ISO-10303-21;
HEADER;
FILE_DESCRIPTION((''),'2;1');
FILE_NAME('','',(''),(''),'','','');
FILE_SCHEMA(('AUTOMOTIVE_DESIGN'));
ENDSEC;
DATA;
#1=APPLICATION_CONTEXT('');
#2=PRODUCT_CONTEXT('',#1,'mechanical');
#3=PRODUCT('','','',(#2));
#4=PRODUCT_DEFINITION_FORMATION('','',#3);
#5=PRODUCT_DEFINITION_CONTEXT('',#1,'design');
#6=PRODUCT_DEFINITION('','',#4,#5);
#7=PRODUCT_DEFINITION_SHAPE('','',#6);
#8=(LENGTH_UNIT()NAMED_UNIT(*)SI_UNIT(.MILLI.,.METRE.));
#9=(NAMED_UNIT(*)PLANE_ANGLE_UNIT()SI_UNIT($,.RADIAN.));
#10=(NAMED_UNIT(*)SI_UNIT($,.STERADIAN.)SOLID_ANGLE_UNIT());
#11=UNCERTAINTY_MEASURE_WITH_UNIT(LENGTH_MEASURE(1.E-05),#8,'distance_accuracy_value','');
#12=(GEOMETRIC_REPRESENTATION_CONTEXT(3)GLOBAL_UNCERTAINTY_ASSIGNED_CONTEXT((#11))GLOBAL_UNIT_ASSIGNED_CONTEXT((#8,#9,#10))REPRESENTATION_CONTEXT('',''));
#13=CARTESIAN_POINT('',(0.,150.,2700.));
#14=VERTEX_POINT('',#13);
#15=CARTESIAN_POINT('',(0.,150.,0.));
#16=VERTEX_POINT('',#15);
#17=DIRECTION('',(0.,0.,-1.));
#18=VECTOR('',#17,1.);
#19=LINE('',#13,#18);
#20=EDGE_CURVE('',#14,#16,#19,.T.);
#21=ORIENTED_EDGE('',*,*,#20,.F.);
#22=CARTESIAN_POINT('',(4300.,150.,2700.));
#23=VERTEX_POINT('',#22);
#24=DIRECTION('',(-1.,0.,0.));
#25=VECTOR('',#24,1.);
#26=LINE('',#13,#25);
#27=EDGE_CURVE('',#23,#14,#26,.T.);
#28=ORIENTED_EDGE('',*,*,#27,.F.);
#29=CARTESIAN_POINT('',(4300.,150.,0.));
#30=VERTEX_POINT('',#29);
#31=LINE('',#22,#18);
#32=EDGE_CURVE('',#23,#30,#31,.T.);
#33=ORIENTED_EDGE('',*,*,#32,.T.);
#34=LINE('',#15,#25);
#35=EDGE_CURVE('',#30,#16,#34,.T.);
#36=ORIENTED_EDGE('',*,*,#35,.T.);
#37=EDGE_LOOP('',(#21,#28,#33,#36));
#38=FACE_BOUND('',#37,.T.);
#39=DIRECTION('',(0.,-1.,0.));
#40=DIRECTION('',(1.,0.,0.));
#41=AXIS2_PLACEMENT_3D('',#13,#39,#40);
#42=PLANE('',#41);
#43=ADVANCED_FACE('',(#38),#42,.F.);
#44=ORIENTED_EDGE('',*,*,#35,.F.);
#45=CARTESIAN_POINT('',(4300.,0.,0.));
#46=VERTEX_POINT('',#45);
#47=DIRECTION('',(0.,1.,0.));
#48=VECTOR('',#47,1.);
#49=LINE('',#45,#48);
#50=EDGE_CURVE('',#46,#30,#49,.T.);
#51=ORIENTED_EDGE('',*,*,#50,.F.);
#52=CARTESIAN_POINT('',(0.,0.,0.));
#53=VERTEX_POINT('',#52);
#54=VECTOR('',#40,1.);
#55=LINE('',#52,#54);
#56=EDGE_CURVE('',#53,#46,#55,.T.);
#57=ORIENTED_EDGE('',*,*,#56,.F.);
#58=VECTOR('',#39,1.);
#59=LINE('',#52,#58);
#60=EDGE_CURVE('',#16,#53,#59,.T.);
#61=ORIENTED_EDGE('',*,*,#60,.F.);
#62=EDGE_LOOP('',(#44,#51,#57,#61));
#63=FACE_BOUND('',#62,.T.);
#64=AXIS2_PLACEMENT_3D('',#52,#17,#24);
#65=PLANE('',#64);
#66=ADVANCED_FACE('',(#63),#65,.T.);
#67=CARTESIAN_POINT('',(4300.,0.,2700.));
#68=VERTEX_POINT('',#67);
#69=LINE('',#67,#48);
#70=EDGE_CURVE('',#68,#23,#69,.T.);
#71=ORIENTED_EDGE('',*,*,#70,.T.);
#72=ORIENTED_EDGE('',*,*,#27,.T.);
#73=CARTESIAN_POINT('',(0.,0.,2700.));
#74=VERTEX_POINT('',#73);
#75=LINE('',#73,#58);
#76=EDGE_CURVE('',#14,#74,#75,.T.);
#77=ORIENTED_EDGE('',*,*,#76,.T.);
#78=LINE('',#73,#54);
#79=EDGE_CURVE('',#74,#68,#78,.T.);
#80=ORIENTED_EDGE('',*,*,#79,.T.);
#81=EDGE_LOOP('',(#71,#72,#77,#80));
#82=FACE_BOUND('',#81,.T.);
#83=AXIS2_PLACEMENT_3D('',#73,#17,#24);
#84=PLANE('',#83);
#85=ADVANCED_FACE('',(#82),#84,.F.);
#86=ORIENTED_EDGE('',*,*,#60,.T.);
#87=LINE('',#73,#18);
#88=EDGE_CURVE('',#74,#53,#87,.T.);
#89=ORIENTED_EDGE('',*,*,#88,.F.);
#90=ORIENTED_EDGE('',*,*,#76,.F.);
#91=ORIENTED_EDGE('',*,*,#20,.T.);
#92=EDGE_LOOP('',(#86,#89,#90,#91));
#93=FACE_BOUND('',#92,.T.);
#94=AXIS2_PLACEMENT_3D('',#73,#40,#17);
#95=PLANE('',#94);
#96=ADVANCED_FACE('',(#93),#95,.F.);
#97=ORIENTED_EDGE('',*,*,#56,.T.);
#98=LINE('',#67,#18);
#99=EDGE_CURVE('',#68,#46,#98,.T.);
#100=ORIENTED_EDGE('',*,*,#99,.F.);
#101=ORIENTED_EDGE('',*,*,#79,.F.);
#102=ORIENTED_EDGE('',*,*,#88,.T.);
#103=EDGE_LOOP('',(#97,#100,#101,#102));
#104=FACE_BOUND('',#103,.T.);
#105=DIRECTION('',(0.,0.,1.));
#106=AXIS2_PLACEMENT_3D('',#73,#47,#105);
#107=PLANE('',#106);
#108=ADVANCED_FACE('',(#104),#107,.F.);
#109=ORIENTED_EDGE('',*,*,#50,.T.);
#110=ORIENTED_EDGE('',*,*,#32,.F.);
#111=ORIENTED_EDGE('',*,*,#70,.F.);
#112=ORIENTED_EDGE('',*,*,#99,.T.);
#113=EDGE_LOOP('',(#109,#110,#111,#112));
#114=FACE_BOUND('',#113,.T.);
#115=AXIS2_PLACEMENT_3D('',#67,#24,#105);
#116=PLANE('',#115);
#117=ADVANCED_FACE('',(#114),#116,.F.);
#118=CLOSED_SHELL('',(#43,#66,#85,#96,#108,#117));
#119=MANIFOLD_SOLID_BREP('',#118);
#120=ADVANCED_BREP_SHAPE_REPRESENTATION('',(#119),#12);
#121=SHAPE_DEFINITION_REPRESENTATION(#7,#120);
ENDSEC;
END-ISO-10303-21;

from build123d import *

# Parameters (mm, degrees)
ESBO_O1_W                = 4300
ESBO_O1_H                = 150
RESSALTO_EXTRUS_O1_DEPTH = 2700


with BuildPart() as part:
    # Esboço1 → Ressalto-extrusão1 (new body)
    with BuildSketch(Plane.XY):
        with Locations((2150, 75)):
            Rectangle(ESBO_O1_W, ESBO_O1_H)
    extrude(amount=RESSALTO_EXTRUS_O1_DEPTH)


solid = part.part
